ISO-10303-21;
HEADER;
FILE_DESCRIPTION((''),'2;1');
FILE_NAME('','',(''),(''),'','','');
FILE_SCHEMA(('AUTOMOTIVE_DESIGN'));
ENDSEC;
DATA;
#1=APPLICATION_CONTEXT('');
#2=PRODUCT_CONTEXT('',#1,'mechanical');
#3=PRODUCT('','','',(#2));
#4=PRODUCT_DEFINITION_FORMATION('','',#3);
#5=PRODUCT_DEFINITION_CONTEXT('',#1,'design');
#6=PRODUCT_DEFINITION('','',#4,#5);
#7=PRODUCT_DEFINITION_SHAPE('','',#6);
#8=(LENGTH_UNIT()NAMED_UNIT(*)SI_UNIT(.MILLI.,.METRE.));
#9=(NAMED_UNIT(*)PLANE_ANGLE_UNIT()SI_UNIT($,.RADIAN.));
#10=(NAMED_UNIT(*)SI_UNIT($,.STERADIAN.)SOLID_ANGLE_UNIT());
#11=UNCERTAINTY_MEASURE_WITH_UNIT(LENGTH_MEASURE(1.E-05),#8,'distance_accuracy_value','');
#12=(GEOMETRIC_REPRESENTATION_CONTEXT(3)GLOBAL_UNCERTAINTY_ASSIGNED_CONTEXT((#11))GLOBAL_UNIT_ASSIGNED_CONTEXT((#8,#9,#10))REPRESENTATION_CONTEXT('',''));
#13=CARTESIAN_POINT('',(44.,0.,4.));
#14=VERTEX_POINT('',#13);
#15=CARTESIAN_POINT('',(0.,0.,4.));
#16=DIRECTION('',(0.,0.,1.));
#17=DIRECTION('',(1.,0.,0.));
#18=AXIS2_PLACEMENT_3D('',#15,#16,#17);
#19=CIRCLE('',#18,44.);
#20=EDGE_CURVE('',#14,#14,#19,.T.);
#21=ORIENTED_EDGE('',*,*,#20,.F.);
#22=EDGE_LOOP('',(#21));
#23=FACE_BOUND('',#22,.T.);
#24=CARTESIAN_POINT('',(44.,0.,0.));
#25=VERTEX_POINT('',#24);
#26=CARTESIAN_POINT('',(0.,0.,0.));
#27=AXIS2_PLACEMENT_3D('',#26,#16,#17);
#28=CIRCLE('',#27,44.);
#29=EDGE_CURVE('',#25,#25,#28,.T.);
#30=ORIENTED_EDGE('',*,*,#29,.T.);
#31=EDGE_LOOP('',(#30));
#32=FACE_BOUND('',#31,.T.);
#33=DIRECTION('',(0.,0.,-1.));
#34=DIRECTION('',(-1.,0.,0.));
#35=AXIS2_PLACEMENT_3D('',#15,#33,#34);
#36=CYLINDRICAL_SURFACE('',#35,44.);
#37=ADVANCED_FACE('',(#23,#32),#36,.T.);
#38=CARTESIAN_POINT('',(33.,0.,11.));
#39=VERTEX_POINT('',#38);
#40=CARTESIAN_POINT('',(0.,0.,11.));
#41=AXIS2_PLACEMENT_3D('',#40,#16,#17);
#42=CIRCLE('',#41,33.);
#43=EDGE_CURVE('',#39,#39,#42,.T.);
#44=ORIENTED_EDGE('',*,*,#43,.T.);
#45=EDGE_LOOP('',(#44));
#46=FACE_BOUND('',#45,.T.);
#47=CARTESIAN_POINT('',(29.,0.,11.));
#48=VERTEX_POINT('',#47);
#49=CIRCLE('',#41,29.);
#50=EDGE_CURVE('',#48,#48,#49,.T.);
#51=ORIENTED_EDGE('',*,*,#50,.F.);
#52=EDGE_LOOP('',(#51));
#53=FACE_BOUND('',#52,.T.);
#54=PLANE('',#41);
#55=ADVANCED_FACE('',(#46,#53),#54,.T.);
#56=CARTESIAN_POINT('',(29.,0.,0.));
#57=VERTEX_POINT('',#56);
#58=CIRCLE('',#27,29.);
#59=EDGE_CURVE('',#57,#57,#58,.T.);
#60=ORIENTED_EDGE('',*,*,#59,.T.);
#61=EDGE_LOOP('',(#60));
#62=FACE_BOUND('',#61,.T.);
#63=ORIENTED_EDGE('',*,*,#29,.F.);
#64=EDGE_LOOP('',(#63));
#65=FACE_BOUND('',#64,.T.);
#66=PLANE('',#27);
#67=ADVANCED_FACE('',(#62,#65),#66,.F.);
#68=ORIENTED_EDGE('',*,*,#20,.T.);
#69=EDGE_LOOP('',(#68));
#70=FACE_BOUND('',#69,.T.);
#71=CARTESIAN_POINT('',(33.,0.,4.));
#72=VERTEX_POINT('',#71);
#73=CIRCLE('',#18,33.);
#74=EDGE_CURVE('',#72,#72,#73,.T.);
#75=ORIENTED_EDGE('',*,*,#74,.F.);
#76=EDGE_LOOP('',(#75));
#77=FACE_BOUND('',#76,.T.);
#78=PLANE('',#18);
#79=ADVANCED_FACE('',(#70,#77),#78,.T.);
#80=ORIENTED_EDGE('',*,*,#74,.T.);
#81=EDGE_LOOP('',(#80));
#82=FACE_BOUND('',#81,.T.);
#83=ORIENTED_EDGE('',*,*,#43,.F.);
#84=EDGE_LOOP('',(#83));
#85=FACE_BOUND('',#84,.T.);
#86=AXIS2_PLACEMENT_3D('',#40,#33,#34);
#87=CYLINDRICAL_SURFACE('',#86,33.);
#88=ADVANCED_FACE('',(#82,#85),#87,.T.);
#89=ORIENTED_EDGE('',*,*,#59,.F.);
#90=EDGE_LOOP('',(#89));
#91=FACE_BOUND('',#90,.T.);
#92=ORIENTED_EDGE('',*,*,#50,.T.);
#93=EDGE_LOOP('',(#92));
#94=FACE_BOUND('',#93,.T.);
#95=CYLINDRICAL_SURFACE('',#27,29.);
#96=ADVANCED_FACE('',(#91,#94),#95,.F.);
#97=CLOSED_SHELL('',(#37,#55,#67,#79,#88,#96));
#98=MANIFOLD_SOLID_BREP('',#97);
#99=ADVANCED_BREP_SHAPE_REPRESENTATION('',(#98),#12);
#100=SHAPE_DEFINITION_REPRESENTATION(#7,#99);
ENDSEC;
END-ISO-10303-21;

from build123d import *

# Parameters (mm, degrees)
SKETCH1_R               = 44
BOSS_EXTRUDE1_DEPTH     = 4
SKETCH2_R               = 33
BOSS_EXTRUDE2_DEPTH     = 7
SKETCH3_R               = 29
CUT_EXTRUDE1_DEPTH      = 1
CUT_EXTRUDE1_DEPTH_BACK = 12


with BuildPart() as part:
    # Sketch1 → Boss-Extrude1 (new body)
    with BuildSketch(Plane(origin=(0, 0, 0), x_dir=(0, 1, 0), z_dir=(0, 0, 1))):
        Circle(SKETCH1_R)
    extrude(amount=BOSS_EXTRUDE1_DEPTH)

    # Sketch2 → Boss-Extrude2 (add)
    with BuildSketch(Plane.XY.offset(4)):
        Circle(SKETCH2_R)
    extrude(amount=BOSS_EXTRUDE2_DEPTH)

    # Sketch3 → Cut-Extrude1 (cut, two sides)
    with BuildSketch(Plane.XY.offset(11)) as cut_extrude1_sk:
        Circle(SKETCH3_R)
    extrude(amount=CUT_EXTRUDE1_DEPTH, mode=Mode.SUBTRACT)
    extrude(cut_extrude1_sk.sketch, amount=-CUT_EXTRUDE1_DEPTH_BACK, mode=Mode.SUBTRACT)


solid = part.part
